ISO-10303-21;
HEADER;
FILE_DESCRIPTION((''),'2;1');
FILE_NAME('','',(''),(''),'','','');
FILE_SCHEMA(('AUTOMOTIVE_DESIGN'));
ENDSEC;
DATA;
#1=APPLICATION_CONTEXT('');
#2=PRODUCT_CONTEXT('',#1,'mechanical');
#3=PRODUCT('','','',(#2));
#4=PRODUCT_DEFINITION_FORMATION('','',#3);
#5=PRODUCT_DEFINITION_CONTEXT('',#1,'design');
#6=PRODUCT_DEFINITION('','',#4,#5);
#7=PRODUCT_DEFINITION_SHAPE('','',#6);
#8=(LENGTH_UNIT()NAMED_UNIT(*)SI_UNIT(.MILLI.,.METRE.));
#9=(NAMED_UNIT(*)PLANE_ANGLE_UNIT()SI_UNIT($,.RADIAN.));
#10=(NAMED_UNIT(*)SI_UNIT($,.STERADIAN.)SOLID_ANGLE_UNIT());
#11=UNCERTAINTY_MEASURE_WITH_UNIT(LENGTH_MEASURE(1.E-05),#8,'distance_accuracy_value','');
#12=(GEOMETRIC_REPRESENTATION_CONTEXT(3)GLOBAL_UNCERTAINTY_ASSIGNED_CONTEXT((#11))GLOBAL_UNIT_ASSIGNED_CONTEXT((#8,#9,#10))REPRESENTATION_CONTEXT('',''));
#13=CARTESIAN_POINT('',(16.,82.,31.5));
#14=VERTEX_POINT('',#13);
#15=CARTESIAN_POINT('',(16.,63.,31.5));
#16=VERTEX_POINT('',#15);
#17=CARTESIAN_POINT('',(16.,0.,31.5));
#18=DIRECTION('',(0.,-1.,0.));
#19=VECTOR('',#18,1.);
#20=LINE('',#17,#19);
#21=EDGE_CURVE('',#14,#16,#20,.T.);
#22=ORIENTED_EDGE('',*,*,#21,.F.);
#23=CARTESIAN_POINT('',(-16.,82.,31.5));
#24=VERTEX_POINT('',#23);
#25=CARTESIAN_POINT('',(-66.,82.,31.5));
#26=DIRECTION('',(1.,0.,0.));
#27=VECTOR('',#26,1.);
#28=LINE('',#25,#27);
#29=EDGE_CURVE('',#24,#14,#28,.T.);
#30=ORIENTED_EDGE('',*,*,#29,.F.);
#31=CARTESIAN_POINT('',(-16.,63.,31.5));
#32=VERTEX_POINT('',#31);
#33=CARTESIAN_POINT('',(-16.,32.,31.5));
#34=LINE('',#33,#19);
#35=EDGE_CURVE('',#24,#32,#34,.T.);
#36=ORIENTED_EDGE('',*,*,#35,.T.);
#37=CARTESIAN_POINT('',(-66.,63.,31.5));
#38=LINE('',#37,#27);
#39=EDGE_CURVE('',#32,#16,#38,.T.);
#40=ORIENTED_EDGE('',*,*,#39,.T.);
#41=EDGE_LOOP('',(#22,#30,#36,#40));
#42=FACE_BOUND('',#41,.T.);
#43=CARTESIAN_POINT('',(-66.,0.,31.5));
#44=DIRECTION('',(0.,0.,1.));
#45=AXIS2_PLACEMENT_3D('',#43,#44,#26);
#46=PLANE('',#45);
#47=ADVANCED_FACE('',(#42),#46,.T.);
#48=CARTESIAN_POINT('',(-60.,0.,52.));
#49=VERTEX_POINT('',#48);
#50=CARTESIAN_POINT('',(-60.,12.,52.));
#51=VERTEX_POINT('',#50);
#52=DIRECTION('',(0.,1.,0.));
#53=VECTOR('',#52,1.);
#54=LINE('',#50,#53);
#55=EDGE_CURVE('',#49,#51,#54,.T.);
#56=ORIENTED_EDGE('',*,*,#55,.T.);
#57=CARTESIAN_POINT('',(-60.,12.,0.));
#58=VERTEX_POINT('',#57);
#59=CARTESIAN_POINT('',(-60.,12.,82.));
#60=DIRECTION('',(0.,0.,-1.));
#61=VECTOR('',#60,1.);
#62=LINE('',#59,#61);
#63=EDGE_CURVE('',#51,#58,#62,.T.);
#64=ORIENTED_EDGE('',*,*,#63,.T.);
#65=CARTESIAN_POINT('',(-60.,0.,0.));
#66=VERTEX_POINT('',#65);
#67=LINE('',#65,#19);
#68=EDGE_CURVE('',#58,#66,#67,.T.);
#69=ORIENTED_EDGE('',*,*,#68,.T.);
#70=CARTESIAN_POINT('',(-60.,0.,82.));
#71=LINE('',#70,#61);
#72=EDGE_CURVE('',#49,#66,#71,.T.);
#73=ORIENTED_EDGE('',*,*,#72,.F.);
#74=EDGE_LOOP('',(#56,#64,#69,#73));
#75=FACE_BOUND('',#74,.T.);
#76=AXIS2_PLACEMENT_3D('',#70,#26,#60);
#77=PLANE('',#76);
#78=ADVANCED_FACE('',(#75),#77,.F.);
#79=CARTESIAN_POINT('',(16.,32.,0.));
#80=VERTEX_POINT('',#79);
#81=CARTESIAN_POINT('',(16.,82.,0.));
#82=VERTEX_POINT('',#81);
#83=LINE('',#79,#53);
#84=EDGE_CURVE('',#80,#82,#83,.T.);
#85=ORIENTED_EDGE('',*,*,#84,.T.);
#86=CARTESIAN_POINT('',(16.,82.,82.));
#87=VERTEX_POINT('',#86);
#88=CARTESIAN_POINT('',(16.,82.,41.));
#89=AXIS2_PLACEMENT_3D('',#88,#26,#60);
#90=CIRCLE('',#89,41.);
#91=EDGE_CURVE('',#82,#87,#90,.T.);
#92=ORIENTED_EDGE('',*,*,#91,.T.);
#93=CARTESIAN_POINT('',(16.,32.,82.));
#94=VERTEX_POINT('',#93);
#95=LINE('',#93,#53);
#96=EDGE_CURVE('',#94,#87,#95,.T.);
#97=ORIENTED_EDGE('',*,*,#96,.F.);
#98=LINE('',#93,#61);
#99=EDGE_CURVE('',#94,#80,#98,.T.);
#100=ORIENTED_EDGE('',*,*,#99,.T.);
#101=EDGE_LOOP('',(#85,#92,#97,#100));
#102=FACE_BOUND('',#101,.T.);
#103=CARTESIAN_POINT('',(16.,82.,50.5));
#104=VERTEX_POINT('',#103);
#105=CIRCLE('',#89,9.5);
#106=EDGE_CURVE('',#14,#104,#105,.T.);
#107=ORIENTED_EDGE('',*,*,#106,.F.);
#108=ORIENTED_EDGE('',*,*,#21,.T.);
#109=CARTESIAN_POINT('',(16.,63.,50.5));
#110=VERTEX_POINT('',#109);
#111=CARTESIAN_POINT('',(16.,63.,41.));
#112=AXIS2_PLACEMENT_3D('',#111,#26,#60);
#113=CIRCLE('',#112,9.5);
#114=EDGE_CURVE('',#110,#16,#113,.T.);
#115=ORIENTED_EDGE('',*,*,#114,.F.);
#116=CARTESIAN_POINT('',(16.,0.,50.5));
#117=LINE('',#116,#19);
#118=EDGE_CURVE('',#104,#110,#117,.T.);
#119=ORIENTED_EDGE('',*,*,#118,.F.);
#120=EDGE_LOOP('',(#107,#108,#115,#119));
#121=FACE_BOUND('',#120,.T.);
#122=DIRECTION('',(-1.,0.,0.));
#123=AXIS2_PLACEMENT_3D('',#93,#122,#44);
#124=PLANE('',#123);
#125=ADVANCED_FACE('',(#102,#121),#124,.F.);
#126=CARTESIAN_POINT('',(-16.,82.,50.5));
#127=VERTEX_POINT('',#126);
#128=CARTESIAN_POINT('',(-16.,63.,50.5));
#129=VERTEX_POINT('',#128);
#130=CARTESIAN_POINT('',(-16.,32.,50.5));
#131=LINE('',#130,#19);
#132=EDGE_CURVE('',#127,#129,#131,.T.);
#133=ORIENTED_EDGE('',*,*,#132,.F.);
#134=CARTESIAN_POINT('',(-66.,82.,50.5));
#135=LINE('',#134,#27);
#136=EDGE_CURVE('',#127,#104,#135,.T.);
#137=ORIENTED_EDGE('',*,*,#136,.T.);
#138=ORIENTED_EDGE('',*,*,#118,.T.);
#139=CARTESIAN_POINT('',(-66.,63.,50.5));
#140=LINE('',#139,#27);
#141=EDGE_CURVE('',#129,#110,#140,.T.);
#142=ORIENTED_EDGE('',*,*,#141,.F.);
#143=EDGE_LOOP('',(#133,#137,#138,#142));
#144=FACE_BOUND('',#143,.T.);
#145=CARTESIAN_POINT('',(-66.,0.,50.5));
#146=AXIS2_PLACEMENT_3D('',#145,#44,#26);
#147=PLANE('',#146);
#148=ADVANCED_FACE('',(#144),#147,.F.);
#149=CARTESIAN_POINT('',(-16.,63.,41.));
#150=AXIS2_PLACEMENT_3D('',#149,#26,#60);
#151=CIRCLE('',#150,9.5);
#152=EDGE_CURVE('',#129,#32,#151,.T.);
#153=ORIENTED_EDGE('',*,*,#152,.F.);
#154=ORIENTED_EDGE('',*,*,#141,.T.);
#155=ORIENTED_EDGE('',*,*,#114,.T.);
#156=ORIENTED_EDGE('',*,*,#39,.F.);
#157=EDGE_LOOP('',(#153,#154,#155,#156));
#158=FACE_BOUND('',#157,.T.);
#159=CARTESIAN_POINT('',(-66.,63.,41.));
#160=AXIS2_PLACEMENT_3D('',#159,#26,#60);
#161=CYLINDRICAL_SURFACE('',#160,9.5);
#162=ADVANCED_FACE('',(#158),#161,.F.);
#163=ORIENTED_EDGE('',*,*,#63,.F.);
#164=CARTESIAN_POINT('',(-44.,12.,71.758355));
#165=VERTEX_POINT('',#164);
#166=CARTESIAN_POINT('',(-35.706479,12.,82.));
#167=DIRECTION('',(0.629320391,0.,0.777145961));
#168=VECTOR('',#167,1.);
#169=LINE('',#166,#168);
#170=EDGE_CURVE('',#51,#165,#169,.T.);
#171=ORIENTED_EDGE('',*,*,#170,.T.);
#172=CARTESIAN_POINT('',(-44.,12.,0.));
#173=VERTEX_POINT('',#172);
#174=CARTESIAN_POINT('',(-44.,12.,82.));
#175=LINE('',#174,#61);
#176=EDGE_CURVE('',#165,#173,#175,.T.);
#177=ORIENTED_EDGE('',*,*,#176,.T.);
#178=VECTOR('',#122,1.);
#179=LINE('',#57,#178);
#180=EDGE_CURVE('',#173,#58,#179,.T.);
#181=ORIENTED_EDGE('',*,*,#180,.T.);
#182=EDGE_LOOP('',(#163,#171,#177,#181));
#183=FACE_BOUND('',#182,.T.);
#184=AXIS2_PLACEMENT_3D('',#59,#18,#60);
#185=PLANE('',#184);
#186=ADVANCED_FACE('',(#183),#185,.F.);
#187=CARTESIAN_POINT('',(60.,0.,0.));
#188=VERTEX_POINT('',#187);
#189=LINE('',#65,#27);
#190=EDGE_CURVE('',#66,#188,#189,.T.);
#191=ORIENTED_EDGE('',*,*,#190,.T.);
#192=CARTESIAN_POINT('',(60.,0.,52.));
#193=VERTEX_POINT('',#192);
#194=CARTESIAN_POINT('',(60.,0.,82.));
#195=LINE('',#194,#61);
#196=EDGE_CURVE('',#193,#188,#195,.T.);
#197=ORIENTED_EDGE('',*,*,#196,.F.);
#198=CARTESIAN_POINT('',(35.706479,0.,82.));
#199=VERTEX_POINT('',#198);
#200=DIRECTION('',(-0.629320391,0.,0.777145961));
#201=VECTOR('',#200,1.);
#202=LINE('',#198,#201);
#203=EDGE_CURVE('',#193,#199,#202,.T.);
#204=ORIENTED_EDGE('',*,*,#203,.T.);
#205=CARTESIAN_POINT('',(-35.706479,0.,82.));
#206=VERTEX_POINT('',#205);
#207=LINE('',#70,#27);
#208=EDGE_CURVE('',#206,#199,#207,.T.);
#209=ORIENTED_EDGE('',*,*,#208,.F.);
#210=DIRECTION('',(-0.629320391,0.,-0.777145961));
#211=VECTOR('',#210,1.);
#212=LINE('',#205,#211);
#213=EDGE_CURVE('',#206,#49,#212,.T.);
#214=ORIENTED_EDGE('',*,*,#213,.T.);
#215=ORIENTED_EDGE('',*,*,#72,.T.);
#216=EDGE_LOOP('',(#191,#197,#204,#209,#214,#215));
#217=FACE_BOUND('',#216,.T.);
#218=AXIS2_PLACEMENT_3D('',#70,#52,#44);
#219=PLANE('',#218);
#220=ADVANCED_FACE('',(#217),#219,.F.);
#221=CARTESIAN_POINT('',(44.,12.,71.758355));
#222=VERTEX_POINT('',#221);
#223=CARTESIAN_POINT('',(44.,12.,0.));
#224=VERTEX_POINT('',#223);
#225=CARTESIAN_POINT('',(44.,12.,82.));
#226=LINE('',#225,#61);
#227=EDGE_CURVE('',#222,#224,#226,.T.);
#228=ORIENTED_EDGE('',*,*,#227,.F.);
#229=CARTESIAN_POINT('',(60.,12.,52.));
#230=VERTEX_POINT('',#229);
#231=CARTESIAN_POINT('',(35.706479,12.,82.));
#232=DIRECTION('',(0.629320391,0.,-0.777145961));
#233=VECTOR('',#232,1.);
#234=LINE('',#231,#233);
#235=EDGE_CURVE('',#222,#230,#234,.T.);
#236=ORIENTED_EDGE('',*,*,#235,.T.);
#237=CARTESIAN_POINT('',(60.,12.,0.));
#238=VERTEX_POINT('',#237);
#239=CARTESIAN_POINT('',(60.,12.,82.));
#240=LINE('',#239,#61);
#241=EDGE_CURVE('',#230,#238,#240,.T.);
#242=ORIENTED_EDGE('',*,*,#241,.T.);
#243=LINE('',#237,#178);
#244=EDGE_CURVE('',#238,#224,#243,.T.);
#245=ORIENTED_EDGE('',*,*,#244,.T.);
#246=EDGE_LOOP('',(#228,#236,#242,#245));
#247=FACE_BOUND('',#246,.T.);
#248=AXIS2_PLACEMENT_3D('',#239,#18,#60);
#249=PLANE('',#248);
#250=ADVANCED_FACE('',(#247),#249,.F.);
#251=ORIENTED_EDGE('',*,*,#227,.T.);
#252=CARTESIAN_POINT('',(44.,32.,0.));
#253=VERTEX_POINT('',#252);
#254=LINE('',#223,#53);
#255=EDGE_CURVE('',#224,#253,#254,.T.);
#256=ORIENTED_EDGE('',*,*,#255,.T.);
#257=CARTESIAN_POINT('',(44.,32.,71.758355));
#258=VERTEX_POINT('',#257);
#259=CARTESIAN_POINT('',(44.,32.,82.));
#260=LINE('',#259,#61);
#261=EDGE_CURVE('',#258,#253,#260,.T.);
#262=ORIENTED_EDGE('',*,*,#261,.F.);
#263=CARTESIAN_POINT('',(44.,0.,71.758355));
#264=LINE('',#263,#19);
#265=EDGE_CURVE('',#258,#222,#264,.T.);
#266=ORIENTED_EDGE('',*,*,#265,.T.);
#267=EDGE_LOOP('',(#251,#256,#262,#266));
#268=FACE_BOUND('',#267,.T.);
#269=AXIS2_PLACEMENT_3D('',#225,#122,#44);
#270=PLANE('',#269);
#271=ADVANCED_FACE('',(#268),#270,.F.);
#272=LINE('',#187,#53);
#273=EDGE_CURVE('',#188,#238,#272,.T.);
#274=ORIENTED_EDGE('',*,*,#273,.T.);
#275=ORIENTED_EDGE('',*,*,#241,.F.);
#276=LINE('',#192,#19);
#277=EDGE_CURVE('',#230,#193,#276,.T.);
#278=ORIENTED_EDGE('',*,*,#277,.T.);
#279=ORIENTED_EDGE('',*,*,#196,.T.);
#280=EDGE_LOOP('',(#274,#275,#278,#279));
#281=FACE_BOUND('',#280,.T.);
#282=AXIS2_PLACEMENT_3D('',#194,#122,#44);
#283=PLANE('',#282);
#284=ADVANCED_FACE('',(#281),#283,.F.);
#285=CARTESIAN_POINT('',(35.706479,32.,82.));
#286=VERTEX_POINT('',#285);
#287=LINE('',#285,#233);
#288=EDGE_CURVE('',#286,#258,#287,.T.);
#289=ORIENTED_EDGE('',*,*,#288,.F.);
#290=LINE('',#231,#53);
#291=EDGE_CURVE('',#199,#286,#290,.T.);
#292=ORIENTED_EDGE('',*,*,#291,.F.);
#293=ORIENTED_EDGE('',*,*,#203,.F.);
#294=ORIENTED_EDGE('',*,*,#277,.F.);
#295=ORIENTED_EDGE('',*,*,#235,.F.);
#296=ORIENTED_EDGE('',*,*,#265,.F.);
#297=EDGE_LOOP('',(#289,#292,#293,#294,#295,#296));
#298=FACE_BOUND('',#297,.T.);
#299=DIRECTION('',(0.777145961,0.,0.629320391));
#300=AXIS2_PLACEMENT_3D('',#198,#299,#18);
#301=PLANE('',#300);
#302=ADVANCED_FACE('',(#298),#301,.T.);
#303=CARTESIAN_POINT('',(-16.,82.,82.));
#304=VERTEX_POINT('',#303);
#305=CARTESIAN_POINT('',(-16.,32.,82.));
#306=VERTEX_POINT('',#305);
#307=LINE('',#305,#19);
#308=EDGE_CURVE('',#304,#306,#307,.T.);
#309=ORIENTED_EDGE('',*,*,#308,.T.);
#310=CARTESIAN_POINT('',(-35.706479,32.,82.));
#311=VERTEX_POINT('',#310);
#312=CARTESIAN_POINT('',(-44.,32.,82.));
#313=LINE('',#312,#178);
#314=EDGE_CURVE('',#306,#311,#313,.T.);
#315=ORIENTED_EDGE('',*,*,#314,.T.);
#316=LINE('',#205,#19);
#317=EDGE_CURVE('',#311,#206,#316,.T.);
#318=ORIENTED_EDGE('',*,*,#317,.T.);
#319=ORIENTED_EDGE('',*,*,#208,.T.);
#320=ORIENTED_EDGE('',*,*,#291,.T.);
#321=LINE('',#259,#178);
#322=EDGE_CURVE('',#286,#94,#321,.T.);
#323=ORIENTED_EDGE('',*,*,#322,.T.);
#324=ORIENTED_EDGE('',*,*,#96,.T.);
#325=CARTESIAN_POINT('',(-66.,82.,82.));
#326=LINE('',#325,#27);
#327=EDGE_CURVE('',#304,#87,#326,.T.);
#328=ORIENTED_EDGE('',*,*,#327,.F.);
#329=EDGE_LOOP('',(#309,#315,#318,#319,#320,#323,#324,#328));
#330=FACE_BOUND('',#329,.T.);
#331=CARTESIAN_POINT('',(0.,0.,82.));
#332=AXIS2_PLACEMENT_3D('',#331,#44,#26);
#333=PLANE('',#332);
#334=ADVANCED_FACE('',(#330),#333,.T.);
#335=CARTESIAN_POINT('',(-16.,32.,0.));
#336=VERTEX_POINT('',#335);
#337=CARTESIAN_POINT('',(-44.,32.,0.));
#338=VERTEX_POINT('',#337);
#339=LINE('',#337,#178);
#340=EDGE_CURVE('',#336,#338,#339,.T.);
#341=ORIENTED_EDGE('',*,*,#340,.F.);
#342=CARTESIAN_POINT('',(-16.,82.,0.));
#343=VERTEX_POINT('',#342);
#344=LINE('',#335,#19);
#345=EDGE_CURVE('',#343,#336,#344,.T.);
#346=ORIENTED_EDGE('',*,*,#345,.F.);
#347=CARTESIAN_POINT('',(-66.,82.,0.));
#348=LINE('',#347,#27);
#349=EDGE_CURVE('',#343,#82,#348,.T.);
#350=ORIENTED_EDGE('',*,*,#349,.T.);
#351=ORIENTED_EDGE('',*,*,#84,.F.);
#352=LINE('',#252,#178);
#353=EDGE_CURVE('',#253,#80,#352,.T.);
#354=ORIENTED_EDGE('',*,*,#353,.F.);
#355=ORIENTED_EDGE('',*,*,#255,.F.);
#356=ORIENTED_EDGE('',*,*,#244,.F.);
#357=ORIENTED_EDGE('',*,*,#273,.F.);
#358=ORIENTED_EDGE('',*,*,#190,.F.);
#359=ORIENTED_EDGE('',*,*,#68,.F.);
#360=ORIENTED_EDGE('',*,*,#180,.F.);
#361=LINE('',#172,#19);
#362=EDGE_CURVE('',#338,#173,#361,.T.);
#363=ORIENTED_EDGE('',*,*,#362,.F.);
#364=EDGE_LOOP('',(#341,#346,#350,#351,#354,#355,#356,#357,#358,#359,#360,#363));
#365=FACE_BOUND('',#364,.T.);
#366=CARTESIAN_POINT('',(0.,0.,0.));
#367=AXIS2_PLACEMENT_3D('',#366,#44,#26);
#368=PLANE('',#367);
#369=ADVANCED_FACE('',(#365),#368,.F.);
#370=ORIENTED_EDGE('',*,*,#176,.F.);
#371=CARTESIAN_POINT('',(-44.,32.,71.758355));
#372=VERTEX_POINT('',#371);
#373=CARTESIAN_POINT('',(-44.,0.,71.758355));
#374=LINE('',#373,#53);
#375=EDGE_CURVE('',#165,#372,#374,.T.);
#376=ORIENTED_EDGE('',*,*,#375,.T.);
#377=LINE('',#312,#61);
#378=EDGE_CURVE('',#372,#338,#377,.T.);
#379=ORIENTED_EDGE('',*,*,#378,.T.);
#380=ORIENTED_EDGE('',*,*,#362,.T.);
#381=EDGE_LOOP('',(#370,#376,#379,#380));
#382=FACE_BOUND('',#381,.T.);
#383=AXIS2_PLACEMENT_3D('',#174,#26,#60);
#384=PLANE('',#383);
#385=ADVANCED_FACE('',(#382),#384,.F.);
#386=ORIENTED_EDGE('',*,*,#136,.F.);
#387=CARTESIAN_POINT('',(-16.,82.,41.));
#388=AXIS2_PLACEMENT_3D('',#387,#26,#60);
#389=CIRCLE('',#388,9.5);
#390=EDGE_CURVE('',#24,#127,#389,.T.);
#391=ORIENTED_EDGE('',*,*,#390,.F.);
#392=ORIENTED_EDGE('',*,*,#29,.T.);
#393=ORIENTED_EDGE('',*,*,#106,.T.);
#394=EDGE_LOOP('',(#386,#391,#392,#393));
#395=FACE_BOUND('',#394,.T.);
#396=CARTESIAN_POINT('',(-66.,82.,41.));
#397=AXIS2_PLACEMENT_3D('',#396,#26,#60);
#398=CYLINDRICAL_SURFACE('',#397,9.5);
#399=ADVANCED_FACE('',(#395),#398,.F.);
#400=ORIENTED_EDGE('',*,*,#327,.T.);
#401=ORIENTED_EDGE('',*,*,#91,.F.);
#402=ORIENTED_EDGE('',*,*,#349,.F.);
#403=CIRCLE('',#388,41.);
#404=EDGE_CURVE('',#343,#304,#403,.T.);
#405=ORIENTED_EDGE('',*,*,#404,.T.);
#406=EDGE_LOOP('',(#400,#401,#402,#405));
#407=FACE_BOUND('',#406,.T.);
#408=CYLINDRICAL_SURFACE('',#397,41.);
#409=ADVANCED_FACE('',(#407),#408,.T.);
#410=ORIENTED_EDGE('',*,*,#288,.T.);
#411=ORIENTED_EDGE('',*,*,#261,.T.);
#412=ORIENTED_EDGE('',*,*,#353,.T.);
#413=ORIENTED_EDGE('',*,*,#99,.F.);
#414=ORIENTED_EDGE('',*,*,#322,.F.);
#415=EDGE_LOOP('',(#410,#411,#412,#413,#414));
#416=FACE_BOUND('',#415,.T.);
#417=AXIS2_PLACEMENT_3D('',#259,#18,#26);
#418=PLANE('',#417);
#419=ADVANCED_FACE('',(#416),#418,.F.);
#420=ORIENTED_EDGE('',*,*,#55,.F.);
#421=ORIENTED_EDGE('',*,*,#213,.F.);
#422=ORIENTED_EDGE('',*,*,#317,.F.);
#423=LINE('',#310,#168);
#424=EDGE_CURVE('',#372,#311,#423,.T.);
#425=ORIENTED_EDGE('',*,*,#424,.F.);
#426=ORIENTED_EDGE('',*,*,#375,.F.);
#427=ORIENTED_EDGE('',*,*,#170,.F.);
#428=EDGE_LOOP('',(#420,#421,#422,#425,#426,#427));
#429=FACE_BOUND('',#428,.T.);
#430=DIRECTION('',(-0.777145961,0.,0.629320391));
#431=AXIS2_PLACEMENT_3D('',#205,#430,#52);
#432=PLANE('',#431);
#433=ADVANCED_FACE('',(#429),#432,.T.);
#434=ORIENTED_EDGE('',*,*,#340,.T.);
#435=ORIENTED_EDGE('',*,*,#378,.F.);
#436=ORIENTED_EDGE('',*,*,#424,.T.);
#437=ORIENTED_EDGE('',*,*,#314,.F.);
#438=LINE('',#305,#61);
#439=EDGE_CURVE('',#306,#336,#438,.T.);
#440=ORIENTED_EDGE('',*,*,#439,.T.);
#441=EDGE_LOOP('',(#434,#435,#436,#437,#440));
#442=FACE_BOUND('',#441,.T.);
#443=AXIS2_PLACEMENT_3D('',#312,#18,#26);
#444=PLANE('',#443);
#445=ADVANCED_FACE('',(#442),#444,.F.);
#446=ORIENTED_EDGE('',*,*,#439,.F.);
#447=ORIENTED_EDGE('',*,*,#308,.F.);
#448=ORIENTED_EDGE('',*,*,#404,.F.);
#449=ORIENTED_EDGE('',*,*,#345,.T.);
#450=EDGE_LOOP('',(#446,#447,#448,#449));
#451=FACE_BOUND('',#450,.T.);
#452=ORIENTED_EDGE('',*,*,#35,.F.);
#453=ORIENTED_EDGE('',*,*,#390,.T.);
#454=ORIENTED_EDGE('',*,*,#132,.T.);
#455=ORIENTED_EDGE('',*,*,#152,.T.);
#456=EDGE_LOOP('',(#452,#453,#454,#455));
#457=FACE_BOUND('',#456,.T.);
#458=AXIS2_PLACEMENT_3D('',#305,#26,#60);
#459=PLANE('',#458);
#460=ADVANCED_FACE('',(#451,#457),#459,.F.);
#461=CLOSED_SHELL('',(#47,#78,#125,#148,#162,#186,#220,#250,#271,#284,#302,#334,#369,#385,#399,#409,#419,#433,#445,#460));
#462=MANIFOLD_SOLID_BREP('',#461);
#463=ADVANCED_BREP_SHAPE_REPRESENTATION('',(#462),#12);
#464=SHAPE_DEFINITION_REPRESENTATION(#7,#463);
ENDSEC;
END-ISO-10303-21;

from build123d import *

# Parameters (mm, degrees)
BOSS_EXTRUDE1_DEPTH = 82
CHAMFER6_SIZE       = 30
CHAMFER6_SIZE2      = 24.293520996
CHAMFER7_SIZE       = 30
CHAMFER7_SIZE2      = 24.293520996
CUT_EXTRUDE2_DEPTH  = 82


with BuildPart() as part:
    # Sketch1 → Boss-Extrude1 (new body)
    with BuildSketch(Plane.XY):
        Polygon((-60, 0), (60, 0), (60, 12), (44, 12), (44, 32), (16, 32), (16, 123), (-16, 123), (-16, 32), (-44, 32), (-44, 12), (-60, 12), align=None)
    extrude(amount=BOSS_EXTRUDE1_DEPTH)

    # Chamfer6
    chamfer6_edges = [part.edges().sort_by_distance(p)[0] for p in [
        (60, 6, 82),
    ]]
    chamfer6_side = [part.faces().sort_by_distance(p)[0] for p in [
        (60, 6, 41),
    ]]
    chamfer(chamfer6_edges, length=CHAMFER6_SIZE, length2=CHAMFER6_SIZE2, reference=chamfer6_side[0])

    # Chamfer7
    chamfer7_edges = [part.edges().sort_by_distance(p)[0] for p in [
        (-60, 6, 82),
    ]]
    chamfer7_side = [part.faces().sort_by_distance(p)[0] for p in [
        (-60, 6, 41),
    ]]
    chamfer(chamfer7_edges, length=CHAMFER7_SIZE, length2=CHAMFER7_SIZE2, reference=chamfer7_side[0])

    # Sketch8 → Cut-Extrude2 (cut)
    with BuildSketch(Plane(origin=(16, 0, 0), x_dir=(0, 0, -1), z_dir=(1, 0, 0))):
        with BuildLine():
            Line((-82, 123), (-82, 82))
            ThreePointArc((-82, 82), (-69.991378029, 110.991378029), (-41, 123))
            Line((-41, 123), (-82, 123))
        make_face()
        with BuildLine():
            ThreePointArc((-31.5, 82), (-41, 91.5), (-50.5, 82))
            Line((-50.5, 82), (-50.5, 63))
            ThreePointArc((-50.5, 63), (-41, 53.5), (-31.5, 63))
            Line((-31.5, 63), (-31.5, 82))
        make_face()
        with BuildLine():
            Line((0, 123), (-41, 123))
            ThreePointArc((-41, 123), (-12.008621971, 110.991378029), (0, 82))
            Line((0, 82), (0, 123))
        make_face()
    extrude(amount=-CUT_EXTRUDE2_DEPTH, mode=Mode.SUBTRACT)


solid = part.part
